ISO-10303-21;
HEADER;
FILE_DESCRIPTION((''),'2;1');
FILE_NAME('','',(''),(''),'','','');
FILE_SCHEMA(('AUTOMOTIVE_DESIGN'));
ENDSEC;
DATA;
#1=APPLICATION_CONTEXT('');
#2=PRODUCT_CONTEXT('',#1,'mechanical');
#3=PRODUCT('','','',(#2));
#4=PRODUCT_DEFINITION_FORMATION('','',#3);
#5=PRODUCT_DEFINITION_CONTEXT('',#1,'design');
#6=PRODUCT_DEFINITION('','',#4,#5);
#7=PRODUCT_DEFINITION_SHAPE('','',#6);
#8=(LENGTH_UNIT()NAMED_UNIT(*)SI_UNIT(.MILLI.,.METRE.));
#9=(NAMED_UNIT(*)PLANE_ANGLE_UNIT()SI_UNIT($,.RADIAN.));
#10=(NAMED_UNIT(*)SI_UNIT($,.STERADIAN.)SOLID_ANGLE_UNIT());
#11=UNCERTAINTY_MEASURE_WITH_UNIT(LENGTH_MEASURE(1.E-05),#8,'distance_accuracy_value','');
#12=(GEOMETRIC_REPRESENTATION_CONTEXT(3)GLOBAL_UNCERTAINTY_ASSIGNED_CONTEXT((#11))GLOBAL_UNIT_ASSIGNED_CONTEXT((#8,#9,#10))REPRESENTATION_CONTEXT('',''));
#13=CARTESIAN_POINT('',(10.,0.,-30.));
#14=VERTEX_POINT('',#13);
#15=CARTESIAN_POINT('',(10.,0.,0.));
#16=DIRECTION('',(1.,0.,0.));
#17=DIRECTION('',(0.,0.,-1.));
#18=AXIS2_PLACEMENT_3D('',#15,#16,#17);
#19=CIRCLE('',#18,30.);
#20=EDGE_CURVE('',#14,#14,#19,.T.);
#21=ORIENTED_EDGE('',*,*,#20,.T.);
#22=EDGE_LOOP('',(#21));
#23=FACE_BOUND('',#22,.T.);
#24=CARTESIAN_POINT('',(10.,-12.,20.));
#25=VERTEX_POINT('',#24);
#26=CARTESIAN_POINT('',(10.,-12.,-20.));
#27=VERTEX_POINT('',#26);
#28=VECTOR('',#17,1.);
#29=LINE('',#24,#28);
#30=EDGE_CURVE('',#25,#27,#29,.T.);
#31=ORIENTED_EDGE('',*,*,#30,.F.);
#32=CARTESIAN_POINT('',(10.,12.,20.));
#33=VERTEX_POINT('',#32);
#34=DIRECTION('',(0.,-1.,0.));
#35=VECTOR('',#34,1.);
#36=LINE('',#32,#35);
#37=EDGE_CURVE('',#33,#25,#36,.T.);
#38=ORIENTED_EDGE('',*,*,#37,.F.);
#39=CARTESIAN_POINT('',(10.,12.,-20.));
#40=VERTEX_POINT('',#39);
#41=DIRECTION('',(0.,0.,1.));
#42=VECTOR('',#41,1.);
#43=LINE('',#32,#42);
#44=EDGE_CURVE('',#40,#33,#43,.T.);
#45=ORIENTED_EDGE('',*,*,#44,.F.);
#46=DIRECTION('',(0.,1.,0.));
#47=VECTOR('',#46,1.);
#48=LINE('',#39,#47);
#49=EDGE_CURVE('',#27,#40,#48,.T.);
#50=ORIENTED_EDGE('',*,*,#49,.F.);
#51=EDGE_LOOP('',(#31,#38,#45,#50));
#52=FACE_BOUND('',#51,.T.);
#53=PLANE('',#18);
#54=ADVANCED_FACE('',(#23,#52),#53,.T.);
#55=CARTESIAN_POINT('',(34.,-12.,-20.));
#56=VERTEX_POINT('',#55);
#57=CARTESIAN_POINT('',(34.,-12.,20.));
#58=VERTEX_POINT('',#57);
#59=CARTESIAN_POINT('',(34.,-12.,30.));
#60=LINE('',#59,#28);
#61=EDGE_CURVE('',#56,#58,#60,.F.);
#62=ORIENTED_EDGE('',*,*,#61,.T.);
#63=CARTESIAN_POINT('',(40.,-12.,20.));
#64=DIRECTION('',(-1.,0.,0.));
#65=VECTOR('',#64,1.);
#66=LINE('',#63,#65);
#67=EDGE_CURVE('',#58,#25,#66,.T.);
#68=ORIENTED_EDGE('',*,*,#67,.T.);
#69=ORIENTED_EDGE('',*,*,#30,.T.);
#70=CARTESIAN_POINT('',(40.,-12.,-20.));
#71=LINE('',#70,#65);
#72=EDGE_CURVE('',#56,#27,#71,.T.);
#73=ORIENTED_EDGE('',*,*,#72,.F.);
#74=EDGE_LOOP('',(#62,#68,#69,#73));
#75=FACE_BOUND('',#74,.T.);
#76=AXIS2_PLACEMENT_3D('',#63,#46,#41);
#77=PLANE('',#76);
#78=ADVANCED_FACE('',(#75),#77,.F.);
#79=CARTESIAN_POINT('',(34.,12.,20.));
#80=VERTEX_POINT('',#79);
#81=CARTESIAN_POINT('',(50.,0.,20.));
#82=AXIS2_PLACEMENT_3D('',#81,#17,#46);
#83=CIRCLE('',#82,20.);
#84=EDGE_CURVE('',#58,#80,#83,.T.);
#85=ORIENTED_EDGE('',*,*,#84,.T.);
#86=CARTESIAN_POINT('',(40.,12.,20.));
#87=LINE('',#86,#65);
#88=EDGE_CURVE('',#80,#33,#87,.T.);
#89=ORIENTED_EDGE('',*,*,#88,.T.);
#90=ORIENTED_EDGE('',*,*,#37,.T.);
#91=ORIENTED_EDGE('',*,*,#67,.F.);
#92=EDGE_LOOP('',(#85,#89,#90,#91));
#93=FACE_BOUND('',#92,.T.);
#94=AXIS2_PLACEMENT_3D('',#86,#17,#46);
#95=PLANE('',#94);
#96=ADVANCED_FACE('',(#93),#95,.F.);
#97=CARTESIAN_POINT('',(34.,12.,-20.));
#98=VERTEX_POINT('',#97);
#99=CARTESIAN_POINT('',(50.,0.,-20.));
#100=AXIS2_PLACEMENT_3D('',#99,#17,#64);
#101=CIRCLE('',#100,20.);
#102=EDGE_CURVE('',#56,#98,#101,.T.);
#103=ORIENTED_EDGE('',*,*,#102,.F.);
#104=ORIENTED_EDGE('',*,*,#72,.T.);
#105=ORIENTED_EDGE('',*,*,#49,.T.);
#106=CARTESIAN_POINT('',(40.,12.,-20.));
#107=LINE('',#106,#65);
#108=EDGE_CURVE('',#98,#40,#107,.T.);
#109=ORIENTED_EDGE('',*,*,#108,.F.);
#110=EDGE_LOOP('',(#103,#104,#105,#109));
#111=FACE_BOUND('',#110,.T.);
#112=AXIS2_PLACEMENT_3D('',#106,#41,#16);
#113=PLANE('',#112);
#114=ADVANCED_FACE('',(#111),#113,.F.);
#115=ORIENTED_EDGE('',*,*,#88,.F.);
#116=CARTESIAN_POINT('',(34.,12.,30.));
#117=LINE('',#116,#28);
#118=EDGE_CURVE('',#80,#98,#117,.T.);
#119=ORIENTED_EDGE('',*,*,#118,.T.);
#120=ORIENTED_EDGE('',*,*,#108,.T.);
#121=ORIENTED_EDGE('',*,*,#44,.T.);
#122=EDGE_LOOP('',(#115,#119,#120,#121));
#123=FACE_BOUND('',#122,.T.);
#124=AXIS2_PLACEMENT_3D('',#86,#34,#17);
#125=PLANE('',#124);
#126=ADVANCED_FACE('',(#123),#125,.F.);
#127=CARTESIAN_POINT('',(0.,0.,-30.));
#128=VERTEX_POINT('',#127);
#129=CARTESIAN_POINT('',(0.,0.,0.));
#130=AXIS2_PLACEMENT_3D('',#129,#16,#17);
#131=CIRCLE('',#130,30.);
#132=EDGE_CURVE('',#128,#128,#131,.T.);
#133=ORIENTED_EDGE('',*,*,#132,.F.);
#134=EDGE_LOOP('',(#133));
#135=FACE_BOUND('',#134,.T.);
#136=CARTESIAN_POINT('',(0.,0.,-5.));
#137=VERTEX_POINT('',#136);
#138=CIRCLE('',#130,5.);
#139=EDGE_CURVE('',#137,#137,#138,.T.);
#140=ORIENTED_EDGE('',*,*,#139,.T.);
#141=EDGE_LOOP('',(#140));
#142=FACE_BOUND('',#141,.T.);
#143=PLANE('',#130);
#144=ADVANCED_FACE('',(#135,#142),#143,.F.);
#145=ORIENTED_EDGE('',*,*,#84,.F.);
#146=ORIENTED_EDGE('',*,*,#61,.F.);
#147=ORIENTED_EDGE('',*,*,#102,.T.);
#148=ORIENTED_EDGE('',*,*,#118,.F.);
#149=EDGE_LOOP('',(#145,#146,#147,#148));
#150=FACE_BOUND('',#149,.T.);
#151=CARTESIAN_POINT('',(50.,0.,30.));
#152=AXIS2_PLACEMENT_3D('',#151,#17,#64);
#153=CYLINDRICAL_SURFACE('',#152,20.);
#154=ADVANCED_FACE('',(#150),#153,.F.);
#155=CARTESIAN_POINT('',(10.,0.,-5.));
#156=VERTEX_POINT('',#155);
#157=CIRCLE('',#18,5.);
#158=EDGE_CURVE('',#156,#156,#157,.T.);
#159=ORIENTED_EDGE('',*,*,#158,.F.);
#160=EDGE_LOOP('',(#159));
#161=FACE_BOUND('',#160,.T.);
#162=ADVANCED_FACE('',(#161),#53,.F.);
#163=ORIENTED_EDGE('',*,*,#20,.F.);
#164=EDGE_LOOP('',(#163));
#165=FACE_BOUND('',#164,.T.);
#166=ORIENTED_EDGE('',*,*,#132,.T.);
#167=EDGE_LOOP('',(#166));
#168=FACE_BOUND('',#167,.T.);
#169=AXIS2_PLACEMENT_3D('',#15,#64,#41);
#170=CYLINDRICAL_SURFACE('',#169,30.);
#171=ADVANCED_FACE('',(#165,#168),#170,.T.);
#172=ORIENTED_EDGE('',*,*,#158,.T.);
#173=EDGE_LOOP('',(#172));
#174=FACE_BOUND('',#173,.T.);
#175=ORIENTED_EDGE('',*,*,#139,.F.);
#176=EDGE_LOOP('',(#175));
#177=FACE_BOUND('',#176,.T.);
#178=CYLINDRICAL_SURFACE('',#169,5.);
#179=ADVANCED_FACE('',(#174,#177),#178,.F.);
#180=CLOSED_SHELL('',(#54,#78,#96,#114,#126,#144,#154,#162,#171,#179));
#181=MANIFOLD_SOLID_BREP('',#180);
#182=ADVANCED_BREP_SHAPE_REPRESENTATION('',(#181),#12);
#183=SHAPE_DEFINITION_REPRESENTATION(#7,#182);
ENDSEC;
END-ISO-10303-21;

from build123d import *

# Parameters (mm, degrees)
SKETCH_1_R          = 30
SKETCH_1_R_2        = 5
EXTRUDE_1_DEPTH     = 10
SKETCH_3_W          = 40
SKETCH_3_H          = 24
EXTRUDE_2_DEPTH     = 30
SKETCH_4_R          = 20
CUT_EXTRUDE_2_DEPTH = 71.710678119


with BuildPart() as part:
    # 草图1 → 凸台-拉伸1 (new body)
    with BuildSketch(Plane(origin=(0, 0, 0), x_dir=(0, 0, -1), z_dir=(1, 0, 0))):
        Circle(SKETCH_1_R)
        Circle(SKETCH_1_R_2, mode=Mode.SUBTRACT)
    extrude(amount=EXTRUDE_1_DEPTH)

    # 草图3 → 凸台-拉伸2 (add)
    with BuildSketch(Plane(origin=(10, 0, 0), x_dir=(0, 0, -1), z_dir=(1, 0, 0))):
        Rectangle(SKETCH_3_W, SKETCH_3_H)
    extrude(amount=EXTRUDE_2_DEPTH)

    # 草图4 → 切除-拉伸2 (cut, through all)
    with BuildSketch(Plane(origin=(0, 0, -20), x_dir=(-1, 0, 0), z_dir=(0, 0, -1))):
        with Locations((-50, 0)):
            Circle(SKETCH_4_R)
    extrude(amount=-CUT_EXTRUDE_2_DEPTH, mode=Mode.SUBTRACT)


solid = part.part
